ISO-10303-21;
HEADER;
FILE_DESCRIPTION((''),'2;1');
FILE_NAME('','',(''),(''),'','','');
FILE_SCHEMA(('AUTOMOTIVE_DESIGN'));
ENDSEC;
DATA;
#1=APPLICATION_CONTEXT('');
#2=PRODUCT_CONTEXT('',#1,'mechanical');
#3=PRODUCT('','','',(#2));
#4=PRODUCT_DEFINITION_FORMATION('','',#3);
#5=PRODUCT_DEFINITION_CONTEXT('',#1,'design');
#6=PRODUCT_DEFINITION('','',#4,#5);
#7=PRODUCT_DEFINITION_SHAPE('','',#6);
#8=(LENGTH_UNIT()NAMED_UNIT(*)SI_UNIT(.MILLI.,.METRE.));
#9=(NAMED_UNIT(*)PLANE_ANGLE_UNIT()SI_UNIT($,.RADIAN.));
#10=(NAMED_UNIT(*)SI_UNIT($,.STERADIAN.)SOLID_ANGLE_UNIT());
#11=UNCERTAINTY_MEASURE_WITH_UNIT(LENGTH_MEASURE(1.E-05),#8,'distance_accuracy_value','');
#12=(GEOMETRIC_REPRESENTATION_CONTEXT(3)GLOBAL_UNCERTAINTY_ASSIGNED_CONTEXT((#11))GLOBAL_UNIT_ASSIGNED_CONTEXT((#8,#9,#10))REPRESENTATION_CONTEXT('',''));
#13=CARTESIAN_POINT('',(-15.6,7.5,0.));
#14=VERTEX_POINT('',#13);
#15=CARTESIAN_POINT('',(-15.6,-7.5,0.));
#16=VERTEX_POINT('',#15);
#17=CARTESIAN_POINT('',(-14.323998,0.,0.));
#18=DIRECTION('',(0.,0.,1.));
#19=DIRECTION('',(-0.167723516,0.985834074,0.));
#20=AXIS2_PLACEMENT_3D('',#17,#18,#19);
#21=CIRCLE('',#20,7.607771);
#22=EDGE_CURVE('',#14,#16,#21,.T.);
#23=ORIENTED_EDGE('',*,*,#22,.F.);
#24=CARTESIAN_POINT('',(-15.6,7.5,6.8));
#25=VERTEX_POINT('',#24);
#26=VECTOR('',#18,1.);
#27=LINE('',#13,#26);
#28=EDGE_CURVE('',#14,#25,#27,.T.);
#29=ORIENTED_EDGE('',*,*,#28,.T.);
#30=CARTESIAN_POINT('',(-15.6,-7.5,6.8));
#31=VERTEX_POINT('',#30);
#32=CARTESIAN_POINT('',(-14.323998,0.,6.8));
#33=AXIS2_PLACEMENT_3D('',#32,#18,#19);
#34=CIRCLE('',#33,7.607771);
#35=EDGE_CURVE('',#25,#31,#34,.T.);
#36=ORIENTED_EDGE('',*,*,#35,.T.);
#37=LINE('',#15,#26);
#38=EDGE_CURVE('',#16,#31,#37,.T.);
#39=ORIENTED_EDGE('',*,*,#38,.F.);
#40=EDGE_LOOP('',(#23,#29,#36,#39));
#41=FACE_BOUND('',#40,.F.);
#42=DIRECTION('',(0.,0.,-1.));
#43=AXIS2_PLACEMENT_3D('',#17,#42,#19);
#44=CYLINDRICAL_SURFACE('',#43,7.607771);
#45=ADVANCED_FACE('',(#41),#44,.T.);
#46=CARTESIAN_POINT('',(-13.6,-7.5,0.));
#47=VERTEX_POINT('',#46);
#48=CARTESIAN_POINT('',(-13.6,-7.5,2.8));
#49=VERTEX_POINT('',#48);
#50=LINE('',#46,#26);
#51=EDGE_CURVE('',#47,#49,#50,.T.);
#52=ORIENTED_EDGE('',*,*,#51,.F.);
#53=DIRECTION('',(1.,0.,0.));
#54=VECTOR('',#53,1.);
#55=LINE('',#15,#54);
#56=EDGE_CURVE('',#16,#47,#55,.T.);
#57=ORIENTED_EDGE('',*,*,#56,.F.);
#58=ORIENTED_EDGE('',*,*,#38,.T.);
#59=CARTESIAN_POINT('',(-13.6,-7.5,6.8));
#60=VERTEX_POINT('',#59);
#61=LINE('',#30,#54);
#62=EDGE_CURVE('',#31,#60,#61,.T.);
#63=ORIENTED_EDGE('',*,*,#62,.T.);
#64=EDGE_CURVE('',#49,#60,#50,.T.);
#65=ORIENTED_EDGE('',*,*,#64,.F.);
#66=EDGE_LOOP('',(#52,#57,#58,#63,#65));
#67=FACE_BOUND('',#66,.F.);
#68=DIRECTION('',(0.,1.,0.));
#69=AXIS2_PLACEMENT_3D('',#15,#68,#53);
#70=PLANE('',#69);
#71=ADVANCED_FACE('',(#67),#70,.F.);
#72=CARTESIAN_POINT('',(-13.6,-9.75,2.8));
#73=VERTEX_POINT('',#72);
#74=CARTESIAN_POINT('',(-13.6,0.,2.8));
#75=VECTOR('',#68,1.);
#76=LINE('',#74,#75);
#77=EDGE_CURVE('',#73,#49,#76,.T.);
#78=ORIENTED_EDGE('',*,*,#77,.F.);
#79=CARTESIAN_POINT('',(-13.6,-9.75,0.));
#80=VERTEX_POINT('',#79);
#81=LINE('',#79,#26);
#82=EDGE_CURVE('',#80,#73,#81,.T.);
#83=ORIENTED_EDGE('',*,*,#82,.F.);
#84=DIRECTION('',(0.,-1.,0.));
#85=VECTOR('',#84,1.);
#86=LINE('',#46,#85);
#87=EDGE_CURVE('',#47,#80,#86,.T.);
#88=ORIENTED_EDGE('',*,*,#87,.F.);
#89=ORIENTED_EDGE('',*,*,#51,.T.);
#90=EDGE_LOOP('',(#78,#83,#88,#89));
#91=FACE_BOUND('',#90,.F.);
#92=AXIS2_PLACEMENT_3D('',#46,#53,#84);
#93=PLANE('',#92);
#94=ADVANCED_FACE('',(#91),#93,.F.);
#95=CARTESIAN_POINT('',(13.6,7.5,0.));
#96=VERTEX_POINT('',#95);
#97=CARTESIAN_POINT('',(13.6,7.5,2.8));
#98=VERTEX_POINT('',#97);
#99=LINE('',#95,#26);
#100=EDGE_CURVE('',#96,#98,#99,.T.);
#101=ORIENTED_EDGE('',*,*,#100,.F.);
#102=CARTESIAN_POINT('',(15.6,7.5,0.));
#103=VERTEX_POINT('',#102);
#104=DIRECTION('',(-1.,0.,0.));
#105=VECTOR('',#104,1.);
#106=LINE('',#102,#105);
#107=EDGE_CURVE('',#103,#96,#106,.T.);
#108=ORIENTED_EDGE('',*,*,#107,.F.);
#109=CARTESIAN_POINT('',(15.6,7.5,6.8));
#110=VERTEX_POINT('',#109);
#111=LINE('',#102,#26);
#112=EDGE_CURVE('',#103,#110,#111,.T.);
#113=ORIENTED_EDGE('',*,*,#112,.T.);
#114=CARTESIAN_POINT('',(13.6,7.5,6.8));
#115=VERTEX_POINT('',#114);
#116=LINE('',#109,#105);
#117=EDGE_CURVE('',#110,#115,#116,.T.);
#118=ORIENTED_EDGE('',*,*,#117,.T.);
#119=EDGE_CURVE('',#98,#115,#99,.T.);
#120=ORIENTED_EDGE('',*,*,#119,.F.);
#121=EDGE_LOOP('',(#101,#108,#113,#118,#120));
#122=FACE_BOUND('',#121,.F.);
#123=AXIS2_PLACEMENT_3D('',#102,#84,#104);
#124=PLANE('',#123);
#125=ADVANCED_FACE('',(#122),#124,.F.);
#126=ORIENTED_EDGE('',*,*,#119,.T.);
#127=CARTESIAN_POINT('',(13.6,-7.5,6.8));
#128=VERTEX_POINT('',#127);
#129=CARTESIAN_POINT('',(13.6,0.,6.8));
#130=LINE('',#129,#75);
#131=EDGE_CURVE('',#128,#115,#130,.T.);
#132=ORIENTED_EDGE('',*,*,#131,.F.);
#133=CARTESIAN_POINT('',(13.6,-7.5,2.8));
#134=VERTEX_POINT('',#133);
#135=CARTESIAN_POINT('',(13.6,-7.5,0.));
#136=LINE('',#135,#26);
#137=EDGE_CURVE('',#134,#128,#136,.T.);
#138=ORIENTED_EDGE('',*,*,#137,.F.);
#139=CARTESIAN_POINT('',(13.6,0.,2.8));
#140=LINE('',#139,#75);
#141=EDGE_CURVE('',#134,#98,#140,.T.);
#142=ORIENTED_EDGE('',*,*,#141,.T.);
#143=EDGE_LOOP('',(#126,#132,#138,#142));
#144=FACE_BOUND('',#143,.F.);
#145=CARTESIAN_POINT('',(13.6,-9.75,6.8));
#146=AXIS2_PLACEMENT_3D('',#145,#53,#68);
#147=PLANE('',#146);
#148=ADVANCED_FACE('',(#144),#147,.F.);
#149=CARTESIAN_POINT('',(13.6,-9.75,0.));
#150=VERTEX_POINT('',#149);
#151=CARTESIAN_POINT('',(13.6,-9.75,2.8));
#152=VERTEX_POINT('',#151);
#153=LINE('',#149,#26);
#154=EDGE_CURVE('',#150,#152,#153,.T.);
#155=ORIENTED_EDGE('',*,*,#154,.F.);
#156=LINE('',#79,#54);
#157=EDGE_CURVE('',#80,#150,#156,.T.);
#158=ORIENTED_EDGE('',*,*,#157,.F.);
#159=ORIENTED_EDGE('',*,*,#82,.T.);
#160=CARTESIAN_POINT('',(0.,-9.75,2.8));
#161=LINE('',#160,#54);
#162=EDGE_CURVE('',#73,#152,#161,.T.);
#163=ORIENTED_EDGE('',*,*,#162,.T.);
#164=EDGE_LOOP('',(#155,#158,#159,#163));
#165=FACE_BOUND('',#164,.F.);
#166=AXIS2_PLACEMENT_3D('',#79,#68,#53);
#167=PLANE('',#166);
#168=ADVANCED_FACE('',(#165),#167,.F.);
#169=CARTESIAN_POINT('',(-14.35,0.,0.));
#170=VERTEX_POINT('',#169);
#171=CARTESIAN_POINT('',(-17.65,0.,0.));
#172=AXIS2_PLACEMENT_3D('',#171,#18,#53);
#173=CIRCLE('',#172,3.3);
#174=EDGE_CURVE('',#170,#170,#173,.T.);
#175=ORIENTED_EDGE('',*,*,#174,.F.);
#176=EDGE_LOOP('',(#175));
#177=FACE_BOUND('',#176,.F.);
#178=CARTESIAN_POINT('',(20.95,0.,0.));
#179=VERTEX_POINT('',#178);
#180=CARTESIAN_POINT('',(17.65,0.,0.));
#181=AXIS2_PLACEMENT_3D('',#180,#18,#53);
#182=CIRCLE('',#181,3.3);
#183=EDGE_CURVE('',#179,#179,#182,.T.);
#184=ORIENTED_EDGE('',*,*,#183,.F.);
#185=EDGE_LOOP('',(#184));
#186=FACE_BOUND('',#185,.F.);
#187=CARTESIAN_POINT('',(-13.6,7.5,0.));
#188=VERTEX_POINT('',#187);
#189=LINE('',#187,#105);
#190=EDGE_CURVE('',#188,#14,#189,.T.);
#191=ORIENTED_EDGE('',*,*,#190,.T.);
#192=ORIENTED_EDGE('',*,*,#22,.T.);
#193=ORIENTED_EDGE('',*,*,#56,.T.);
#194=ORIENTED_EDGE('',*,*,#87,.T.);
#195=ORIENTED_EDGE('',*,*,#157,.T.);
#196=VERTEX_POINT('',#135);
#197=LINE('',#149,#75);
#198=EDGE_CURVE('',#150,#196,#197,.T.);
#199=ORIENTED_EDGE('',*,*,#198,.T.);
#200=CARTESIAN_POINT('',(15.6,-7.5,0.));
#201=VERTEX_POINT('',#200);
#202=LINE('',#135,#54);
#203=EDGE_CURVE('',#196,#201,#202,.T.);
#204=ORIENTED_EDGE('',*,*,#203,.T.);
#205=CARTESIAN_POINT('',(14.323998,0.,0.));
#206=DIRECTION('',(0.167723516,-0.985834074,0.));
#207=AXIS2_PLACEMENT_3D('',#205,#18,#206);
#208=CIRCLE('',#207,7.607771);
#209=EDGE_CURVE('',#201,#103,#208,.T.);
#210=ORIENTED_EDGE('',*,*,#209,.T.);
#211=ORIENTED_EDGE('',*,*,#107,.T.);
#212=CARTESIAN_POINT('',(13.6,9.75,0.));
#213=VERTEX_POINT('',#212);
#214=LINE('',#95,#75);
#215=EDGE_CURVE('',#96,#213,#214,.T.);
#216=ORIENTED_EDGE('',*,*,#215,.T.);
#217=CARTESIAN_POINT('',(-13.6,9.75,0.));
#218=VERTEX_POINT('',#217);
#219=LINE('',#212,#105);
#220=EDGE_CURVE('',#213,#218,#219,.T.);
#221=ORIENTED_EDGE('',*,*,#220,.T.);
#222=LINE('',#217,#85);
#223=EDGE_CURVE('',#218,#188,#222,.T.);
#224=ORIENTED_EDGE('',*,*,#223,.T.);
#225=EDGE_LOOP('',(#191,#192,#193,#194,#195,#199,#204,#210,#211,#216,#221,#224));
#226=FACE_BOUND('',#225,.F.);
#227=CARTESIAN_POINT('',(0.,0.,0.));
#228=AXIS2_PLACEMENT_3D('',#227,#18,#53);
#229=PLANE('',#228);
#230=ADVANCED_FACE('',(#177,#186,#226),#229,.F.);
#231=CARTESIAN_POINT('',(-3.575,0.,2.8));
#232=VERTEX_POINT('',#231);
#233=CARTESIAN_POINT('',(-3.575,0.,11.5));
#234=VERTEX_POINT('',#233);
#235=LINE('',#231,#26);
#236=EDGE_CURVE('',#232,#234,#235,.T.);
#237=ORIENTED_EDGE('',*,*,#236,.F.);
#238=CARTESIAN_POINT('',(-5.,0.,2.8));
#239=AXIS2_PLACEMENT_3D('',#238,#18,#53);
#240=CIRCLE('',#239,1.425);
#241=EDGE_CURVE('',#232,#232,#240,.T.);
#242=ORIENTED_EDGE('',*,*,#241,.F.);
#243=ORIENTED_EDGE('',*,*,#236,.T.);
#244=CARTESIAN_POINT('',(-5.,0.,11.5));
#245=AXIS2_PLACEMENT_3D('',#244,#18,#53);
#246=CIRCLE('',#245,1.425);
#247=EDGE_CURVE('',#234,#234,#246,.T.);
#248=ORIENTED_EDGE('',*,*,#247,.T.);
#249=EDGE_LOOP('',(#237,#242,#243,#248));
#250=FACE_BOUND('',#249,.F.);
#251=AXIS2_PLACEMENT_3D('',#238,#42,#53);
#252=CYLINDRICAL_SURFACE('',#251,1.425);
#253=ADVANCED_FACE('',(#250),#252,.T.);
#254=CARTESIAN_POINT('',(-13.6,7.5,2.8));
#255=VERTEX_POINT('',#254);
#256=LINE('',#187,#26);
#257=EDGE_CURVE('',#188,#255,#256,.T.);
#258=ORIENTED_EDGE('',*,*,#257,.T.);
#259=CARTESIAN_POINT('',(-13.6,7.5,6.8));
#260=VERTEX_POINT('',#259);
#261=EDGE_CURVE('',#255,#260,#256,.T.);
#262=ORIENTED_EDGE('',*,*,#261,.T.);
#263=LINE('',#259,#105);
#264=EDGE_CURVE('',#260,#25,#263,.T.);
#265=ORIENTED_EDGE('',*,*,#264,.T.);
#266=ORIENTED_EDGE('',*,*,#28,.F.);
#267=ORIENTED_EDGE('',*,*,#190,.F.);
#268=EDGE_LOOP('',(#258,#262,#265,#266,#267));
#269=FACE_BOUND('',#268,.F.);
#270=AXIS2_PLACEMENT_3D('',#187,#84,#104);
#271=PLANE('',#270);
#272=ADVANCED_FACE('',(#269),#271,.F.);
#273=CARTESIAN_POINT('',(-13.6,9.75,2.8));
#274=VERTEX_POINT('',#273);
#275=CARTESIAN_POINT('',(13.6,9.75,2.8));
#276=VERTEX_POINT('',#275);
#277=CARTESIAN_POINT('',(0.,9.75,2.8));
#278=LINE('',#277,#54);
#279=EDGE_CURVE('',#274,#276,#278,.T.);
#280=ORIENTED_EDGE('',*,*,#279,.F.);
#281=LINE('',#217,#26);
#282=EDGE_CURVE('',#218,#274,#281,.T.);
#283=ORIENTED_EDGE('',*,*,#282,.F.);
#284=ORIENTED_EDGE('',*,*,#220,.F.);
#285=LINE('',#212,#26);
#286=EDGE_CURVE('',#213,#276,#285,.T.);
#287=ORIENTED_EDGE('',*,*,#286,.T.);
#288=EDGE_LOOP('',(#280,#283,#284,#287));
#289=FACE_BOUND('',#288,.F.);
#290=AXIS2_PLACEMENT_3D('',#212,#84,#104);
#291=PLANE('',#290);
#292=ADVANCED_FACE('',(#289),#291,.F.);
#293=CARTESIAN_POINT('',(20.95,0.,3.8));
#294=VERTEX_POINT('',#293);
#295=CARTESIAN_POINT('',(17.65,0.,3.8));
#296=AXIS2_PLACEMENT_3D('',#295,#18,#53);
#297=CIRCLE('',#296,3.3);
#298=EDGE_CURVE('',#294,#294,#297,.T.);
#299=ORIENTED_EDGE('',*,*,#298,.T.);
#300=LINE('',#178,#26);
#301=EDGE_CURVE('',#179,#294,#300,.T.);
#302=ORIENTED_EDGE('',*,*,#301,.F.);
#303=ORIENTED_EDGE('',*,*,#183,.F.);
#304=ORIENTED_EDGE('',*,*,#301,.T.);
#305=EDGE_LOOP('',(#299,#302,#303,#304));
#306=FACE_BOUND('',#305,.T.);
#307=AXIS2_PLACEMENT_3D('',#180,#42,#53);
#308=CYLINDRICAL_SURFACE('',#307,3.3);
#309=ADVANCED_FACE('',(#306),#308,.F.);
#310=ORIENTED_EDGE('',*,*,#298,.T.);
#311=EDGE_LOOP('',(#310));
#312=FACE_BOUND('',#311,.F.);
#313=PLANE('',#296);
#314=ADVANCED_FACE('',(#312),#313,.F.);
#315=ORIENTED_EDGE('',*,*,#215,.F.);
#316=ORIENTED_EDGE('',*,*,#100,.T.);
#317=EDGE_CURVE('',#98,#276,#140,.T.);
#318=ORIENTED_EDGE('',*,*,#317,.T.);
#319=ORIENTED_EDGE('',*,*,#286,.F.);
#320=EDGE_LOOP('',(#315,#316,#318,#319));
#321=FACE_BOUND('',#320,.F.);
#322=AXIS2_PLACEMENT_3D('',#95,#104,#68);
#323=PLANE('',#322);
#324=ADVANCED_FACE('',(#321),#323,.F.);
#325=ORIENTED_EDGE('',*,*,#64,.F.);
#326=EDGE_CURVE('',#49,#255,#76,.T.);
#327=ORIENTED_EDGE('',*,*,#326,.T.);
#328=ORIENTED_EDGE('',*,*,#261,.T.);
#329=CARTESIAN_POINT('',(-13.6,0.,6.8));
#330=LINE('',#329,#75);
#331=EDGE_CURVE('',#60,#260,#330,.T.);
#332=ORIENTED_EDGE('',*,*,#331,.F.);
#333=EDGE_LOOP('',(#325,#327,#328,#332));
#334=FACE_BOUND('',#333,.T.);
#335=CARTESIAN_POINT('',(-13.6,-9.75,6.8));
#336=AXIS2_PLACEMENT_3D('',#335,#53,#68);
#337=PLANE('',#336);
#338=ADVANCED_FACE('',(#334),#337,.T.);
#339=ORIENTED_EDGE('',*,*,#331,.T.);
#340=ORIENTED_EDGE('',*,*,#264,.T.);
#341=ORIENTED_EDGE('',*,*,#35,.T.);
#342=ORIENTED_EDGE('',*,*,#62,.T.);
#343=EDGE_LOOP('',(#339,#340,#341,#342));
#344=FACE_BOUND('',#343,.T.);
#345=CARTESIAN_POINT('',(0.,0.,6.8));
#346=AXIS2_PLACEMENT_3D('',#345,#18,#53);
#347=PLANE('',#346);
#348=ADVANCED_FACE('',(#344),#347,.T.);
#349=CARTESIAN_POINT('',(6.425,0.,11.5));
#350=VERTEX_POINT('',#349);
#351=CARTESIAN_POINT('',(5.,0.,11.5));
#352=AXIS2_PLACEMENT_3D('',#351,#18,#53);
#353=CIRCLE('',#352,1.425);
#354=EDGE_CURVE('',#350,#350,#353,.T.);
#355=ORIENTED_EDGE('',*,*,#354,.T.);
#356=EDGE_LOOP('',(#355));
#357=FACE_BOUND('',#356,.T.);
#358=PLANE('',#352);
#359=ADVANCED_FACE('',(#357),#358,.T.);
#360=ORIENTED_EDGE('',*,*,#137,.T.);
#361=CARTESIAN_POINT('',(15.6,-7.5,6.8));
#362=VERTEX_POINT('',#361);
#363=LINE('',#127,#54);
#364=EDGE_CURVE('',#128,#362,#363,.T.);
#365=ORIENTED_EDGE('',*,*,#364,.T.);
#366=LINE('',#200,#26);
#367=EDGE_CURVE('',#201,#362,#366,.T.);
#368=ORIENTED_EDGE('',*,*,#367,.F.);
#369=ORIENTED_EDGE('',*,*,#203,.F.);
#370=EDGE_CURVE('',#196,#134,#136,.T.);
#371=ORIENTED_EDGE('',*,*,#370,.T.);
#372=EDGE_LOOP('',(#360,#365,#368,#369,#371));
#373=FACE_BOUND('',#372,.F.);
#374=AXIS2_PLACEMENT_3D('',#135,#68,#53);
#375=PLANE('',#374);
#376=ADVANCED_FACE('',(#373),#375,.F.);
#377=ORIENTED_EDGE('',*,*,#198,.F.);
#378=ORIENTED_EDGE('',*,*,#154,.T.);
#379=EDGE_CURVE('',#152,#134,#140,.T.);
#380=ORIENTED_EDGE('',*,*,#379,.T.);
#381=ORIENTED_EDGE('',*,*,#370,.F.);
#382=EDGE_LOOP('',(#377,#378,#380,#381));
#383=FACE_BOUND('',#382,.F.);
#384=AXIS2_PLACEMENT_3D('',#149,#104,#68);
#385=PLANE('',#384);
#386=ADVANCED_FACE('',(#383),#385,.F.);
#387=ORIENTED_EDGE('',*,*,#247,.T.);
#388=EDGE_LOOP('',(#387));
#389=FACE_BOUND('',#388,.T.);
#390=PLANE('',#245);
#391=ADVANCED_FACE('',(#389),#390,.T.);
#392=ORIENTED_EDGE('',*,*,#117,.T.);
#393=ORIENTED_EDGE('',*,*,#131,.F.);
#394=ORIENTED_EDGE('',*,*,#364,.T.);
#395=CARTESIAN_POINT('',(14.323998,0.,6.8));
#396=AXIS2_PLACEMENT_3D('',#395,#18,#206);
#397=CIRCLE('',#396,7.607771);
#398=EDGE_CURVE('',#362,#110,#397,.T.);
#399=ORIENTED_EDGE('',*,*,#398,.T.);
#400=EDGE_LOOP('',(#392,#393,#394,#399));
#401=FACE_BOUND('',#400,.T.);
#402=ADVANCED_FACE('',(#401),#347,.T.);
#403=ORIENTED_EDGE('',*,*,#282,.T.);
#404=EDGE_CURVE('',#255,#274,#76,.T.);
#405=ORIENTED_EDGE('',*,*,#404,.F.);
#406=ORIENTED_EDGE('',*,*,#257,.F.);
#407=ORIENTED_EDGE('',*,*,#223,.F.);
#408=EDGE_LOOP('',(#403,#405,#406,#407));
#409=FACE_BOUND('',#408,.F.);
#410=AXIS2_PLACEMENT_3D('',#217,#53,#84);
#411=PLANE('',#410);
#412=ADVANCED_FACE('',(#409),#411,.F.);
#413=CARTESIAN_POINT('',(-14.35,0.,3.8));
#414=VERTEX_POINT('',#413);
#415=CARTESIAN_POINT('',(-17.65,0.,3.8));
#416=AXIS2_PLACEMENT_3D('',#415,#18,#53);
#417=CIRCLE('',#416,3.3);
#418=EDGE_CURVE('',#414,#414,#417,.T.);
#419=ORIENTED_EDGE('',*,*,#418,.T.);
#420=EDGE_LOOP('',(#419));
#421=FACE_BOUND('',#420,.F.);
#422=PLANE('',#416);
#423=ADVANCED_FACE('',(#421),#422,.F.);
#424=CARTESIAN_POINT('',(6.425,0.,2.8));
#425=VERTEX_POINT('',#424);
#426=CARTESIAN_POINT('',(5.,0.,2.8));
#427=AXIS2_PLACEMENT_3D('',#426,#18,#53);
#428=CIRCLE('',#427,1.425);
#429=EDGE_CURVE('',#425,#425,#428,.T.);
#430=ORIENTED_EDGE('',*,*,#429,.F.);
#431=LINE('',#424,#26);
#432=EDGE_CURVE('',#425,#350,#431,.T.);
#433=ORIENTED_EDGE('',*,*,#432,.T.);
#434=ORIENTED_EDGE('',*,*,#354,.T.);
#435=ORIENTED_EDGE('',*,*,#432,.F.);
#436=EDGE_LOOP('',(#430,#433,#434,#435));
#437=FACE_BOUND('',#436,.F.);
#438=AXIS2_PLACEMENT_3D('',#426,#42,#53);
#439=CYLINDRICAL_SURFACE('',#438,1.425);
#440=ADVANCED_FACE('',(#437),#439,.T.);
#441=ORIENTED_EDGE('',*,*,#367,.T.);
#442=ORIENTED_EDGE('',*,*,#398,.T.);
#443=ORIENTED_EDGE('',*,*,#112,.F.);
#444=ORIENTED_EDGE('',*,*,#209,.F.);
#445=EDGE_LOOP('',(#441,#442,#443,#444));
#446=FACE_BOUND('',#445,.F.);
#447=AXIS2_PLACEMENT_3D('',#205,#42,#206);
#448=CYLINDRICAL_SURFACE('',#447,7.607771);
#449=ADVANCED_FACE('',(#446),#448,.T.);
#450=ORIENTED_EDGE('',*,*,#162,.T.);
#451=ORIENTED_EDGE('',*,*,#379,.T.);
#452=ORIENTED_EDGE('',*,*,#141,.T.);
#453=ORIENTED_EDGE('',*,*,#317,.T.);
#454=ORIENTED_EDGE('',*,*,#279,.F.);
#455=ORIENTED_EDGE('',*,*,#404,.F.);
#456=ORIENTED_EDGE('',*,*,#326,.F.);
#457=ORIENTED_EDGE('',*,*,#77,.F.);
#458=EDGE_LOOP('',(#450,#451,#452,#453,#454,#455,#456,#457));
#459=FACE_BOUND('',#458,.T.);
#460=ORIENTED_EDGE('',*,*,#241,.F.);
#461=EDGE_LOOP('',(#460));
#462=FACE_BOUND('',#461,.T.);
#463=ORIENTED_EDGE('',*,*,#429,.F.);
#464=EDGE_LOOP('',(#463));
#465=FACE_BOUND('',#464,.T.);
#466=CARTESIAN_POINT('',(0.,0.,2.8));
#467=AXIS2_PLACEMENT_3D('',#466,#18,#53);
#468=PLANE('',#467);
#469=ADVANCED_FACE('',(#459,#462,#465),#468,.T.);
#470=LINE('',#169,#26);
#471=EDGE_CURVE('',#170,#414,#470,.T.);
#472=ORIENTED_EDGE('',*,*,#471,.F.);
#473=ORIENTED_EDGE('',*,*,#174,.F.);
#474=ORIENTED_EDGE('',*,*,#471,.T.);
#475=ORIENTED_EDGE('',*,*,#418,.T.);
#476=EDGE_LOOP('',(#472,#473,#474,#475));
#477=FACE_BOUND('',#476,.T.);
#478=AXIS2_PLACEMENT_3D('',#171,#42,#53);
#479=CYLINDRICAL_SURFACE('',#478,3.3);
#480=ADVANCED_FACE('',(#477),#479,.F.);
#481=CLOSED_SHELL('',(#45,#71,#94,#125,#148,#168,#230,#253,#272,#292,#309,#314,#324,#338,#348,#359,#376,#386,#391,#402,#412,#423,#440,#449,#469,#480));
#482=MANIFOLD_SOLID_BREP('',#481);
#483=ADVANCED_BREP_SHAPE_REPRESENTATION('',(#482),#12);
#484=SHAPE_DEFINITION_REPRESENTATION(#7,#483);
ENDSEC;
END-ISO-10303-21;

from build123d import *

# Parameters (mm, degrees)
F1_DEPTH = 6.8
F2_W     = 27.2
F2_H     = 19.5
F3_DEPTH = 4
F4_R     = 3.3
F5_DEPTH = 3.8
F6_R     = 1.425
F7_DEPTH = 8.7


with BuildPart() as f1:
    # F0 (on Top) → F1 (new body)
    with BuildSketch(Plane.XY):
        with BuildLine():
            Line((13.6, 7.5), (13.6, 9.75))
            Line((13.6, 9.75), (-13.6, 9.75))
            Line((-13.6, 9.75), (-13.6, 7.5))
            Line((-13.6, 7.5), (-15.6, 7.5))
            ThreePointArc((-15.6, 7.5), (-21.931769, 0), (-15.6, -7.5))
            Line((-15.6, -7.5), (-13.6, -7.5))
            Line((-13.6, -7.5), (-13.6, -9.75))
            Line((-13.6, -9.75), (13.6, -9.75))
            Line((13.6, -9.75), (13.6, -7.5))
            Line((13.6, -7.5), (15.6, -7.5))
            ThreePointArc((15.6, -7.5), (21.931769, 0), (15.6, 7.5))
            Line((15.6, 7.5), (13.6, 7.5))
        make_face()
    extrude(amount=F1_DEPTH)

    # F2 (on face) → F3 (cut)
    with BuildSketch(Plane.XY.offset(6.8)):
        Rectangle(F2_W, F2_H)
    extrude(amount=-F3_DEPTH, mode=Mode.SUBTRACT)

    # F4 (on Top) → F5 (cut)
    with BuildSketch(Plane.XY):
        with Locations((17.65, 0)):
            Circle(F4_R)
        with Locations((-17.65, 0)):
            Circle(F4_R)
    extrude(amount=F5_DEPTH, mode=Mode.SUBTRACT)

    # F6 (on face) → F7 (join)
    with BuildSketch(Plane.XY.offset(2.8)):
        with Locations((5, 0)):
            Circle(F6_R)
        with Locations((-5, 0)):
            Circle(F6_R)
    extrude(amount=F7_DEPTH)


solid = f1.part
